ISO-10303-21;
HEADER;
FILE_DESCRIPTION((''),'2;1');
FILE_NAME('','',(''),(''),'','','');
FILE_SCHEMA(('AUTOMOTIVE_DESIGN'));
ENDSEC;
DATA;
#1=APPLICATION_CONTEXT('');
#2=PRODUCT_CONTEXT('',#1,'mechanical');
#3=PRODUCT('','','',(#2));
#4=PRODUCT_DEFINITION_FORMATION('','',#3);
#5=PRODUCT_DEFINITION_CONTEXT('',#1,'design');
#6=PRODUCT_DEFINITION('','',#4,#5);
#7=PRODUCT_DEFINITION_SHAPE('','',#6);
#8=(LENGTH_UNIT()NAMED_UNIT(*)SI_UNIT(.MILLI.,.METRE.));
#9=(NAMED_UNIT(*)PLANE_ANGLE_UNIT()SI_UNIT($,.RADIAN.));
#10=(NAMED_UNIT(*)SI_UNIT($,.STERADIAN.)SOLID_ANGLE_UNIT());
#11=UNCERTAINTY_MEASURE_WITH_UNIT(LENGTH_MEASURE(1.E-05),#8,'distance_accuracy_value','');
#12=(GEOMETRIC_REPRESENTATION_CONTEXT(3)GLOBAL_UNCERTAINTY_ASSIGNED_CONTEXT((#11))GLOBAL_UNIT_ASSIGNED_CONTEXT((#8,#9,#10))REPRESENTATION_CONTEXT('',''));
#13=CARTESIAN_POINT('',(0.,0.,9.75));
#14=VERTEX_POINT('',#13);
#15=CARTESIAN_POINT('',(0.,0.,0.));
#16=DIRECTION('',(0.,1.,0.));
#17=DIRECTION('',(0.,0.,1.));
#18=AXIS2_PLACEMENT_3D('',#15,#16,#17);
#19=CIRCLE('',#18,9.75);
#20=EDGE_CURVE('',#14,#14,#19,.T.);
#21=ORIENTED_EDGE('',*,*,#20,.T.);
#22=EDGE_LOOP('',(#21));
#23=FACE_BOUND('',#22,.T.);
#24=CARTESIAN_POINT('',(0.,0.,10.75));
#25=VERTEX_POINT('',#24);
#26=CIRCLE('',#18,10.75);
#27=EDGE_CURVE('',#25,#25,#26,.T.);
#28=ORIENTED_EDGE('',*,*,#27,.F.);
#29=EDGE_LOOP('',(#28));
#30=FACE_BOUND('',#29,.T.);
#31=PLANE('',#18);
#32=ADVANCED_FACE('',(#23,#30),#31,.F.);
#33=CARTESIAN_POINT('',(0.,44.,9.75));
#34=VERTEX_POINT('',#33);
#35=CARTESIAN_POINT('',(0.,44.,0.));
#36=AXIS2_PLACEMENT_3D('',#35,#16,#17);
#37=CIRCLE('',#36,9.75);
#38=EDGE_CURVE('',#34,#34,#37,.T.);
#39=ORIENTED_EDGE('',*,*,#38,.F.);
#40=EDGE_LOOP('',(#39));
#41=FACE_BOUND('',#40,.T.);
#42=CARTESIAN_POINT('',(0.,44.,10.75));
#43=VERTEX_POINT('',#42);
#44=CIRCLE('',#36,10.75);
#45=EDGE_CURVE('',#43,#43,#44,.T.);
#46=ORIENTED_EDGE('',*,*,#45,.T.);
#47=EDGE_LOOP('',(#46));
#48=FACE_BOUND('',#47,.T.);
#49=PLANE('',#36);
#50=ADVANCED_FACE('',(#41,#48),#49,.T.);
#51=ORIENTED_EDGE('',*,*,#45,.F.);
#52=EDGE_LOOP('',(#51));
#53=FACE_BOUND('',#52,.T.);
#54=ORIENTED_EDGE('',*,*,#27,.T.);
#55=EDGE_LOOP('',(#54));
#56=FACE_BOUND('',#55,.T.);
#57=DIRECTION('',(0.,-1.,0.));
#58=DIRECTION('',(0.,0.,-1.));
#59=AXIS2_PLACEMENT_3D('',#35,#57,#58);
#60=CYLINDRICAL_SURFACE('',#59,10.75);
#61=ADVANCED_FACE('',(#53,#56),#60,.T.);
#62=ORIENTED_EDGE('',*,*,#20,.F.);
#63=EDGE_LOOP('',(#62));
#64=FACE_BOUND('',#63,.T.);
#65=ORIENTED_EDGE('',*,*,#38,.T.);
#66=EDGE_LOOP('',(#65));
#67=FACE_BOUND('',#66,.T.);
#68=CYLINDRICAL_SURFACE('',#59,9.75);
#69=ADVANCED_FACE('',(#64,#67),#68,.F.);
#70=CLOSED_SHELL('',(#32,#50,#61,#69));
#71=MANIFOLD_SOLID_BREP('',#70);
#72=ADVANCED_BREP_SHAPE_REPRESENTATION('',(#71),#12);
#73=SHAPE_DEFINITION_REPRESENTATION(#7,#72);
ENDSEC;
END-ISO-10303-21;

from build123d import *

# Parameters (mm, degrees)
SKETCH1_R           = 10.75
SKETCH1_R_2         = 9.75
BOSS_EXTRUDE1_DEPTH = 44


with BuildPart() as part:
    # Sketch1 → Boss-Extrude1 (new body)
    with BuildSketch(Plane(origin=(0, 0, 0), x_dir=(1, 0, 0), z_dir=(0, 1, 0))):
        Circle(SKETCH1_R)
        Circle(SKETCH1_R_2, mode=Mode.SUBTRACT)
    extrude(amount=BOSS_EXTRUDE1_DEPTH)


solid = part.part
